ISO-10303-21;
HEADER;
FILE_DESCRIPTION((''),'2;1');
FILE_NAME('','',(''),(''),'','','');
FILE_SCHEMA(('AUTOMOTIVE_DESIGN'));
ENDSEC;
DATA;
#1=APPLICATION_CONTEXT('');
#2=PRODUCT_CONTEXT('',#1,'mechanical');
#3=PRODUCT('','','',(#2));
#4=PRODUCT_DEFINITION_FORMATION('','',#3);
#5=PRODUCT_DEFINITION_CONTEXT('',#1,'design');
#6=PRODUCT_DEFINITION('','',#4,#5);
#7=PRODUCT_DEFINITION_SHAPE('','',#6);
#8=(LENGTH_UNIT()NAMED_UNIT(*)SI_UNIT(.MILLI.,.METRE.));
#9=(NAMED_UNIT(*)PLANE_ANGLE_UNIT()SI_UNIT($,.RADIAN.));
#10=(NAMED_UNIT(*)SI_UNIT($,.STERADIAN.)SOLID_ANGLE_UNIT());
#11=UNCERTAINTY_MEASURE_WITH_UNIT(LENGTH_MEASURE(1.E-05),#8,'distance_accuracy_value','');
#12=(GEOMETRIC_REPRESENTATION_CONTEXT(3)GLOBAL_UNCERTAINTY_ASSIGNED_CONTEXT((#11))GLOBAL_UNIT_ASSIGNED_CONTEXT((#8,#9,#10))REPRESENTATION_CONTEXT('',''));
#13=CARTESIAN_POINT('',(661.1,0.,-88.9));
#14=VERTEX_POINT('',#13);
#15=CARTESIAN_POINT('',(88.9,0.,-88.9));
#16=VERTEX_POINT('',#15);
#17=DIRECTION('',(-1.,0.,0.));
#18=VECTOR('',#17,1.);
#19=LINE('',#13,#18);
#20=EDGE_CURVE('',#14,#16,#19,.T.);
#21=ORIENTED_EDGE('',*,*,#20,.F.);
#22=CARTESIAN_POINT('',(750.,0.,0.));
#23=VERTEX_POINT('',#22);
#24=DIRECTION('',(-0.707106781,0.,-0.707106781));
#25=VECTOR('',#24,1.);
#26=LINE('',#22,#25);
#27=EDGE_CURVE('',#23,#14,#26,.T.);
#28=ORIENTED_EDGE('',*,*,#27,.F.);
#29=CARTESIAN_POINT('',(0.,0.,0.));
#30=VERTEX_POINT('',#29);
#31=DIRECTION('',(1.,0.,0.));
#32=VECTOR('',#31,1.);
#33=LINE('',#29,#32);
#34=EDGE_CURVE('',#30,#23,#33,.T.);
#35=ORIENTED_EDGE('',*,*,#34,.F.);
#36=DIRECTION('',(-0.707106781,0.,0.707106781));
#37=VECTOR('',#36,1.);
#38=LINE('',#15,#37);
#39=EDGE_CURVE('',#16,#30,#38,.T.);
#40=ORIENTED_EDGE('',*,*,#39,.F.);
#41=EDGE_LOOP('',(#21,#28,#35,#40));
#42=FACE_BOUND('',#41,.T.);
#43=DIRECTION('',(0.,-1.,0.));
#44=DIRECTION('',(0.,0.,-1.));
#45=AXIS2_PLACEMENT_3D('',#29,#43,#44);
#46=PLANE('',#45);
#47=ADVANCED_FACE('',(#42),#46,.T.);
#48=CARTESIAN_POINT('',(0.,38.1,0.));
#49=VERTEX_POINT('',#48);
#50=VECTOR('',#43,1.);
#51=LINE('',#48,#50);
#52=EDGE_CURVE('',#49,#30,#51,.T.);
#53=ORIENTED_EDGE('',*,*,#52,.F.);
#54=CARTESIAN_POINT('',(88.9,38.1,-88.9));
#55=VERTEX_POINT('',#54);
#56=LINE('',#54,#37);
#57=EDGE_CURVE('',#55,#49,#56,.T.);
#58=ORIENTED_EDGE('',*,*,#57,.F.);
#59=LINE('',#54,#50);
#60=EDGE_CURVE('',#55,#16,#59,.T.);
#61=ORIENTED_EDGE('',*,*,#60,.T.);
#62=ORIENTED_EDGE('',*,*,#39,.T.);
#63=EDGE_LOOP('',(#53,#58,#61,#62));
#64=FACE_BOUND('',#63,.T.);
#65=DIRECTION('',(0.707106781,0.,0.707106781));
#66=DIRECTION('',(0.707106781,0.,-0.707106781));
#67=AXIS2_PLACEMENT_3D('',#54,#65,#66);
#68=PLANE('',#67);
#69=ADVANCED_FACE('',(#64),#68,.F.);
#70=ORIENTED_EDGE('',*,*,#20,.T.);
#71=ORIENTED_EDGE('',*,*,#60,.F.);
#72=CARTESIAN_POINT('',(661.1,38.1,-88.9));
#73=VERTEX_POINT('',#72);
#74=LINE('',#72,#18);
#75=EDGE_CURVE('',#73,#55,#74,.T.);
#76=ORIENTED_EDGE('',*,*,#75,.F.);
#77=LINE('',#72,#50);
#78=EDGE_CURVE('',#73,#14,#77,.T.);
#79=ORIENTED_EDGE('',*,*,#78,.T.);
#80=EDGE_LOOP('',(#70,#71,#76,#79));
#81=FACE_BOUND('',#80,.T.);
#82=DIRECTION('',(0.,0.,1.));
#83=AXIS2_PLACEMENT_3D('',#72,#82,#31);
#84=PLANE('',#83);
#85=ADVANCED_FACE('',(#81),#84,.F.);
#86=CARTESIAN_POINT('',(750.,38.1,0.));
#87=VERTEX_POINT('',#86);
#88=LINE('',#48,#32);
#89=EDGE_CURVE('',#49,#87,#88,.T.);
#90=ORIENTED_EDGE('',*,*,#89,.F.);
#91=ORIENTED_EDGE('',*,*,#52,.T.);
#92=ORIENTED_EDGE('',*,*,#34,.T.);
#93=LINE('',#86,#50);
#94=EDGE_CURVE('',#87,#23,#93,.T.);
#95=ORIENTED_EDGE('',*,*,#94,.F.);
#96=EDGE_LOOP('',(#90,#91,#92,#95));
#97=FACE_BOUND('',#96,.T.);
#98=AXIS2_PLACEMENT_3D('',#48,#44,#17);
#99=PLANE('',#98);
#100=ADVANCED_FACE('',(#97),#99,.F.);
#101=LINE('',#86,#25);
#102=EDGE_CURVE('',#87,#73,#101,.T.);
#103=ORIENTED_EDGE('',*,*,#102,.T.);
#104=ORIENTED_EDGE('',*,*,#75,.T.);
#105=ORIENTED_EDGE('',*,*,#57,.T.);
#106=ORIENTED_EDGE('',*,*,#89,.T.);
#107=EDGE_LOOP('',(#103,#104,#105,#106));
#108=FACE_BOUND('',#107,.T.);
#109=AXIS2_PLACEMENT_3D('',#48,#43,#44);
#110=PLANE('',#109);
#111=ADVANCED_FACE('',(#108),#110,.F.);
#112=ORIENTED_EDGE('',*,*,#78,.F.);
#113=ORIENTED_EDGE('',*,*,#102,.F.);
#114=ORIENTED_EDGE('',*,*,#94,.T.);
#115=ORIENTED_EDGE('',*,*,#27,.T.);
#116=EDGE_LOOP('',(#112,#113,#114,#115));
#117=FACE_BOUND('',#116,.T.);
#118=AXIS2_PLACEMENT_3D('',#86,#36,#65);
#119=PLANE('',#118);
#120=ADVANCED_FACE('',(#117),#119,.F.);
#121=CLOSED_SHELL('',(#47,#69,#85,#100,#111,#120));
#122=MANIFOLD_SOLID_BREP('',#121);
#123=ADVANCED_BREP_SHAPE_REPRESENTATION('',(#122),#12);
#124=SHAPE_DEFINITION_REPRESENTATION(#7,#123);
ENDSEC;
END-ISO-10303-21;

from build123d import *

# Parameters (mm, degrees)
BOSS_EXTRUDE1_DEPTH = 38.1


with BuildPart() as part:
    # Sketch1 → Boss-Extrude1 (new body)
    with BuildSketch(Plane(origin=(0, 0, 0), x_dir=(1, 0, 0), z_dir=(0, 1, 0))):
        Polygon((0, 0), (750, 0), (661.1, 88.9), (88.9, 88.9), align=None)
    extrude(amount=BOSS_EXTRUDE1_DEPTH)


solid = part.part
